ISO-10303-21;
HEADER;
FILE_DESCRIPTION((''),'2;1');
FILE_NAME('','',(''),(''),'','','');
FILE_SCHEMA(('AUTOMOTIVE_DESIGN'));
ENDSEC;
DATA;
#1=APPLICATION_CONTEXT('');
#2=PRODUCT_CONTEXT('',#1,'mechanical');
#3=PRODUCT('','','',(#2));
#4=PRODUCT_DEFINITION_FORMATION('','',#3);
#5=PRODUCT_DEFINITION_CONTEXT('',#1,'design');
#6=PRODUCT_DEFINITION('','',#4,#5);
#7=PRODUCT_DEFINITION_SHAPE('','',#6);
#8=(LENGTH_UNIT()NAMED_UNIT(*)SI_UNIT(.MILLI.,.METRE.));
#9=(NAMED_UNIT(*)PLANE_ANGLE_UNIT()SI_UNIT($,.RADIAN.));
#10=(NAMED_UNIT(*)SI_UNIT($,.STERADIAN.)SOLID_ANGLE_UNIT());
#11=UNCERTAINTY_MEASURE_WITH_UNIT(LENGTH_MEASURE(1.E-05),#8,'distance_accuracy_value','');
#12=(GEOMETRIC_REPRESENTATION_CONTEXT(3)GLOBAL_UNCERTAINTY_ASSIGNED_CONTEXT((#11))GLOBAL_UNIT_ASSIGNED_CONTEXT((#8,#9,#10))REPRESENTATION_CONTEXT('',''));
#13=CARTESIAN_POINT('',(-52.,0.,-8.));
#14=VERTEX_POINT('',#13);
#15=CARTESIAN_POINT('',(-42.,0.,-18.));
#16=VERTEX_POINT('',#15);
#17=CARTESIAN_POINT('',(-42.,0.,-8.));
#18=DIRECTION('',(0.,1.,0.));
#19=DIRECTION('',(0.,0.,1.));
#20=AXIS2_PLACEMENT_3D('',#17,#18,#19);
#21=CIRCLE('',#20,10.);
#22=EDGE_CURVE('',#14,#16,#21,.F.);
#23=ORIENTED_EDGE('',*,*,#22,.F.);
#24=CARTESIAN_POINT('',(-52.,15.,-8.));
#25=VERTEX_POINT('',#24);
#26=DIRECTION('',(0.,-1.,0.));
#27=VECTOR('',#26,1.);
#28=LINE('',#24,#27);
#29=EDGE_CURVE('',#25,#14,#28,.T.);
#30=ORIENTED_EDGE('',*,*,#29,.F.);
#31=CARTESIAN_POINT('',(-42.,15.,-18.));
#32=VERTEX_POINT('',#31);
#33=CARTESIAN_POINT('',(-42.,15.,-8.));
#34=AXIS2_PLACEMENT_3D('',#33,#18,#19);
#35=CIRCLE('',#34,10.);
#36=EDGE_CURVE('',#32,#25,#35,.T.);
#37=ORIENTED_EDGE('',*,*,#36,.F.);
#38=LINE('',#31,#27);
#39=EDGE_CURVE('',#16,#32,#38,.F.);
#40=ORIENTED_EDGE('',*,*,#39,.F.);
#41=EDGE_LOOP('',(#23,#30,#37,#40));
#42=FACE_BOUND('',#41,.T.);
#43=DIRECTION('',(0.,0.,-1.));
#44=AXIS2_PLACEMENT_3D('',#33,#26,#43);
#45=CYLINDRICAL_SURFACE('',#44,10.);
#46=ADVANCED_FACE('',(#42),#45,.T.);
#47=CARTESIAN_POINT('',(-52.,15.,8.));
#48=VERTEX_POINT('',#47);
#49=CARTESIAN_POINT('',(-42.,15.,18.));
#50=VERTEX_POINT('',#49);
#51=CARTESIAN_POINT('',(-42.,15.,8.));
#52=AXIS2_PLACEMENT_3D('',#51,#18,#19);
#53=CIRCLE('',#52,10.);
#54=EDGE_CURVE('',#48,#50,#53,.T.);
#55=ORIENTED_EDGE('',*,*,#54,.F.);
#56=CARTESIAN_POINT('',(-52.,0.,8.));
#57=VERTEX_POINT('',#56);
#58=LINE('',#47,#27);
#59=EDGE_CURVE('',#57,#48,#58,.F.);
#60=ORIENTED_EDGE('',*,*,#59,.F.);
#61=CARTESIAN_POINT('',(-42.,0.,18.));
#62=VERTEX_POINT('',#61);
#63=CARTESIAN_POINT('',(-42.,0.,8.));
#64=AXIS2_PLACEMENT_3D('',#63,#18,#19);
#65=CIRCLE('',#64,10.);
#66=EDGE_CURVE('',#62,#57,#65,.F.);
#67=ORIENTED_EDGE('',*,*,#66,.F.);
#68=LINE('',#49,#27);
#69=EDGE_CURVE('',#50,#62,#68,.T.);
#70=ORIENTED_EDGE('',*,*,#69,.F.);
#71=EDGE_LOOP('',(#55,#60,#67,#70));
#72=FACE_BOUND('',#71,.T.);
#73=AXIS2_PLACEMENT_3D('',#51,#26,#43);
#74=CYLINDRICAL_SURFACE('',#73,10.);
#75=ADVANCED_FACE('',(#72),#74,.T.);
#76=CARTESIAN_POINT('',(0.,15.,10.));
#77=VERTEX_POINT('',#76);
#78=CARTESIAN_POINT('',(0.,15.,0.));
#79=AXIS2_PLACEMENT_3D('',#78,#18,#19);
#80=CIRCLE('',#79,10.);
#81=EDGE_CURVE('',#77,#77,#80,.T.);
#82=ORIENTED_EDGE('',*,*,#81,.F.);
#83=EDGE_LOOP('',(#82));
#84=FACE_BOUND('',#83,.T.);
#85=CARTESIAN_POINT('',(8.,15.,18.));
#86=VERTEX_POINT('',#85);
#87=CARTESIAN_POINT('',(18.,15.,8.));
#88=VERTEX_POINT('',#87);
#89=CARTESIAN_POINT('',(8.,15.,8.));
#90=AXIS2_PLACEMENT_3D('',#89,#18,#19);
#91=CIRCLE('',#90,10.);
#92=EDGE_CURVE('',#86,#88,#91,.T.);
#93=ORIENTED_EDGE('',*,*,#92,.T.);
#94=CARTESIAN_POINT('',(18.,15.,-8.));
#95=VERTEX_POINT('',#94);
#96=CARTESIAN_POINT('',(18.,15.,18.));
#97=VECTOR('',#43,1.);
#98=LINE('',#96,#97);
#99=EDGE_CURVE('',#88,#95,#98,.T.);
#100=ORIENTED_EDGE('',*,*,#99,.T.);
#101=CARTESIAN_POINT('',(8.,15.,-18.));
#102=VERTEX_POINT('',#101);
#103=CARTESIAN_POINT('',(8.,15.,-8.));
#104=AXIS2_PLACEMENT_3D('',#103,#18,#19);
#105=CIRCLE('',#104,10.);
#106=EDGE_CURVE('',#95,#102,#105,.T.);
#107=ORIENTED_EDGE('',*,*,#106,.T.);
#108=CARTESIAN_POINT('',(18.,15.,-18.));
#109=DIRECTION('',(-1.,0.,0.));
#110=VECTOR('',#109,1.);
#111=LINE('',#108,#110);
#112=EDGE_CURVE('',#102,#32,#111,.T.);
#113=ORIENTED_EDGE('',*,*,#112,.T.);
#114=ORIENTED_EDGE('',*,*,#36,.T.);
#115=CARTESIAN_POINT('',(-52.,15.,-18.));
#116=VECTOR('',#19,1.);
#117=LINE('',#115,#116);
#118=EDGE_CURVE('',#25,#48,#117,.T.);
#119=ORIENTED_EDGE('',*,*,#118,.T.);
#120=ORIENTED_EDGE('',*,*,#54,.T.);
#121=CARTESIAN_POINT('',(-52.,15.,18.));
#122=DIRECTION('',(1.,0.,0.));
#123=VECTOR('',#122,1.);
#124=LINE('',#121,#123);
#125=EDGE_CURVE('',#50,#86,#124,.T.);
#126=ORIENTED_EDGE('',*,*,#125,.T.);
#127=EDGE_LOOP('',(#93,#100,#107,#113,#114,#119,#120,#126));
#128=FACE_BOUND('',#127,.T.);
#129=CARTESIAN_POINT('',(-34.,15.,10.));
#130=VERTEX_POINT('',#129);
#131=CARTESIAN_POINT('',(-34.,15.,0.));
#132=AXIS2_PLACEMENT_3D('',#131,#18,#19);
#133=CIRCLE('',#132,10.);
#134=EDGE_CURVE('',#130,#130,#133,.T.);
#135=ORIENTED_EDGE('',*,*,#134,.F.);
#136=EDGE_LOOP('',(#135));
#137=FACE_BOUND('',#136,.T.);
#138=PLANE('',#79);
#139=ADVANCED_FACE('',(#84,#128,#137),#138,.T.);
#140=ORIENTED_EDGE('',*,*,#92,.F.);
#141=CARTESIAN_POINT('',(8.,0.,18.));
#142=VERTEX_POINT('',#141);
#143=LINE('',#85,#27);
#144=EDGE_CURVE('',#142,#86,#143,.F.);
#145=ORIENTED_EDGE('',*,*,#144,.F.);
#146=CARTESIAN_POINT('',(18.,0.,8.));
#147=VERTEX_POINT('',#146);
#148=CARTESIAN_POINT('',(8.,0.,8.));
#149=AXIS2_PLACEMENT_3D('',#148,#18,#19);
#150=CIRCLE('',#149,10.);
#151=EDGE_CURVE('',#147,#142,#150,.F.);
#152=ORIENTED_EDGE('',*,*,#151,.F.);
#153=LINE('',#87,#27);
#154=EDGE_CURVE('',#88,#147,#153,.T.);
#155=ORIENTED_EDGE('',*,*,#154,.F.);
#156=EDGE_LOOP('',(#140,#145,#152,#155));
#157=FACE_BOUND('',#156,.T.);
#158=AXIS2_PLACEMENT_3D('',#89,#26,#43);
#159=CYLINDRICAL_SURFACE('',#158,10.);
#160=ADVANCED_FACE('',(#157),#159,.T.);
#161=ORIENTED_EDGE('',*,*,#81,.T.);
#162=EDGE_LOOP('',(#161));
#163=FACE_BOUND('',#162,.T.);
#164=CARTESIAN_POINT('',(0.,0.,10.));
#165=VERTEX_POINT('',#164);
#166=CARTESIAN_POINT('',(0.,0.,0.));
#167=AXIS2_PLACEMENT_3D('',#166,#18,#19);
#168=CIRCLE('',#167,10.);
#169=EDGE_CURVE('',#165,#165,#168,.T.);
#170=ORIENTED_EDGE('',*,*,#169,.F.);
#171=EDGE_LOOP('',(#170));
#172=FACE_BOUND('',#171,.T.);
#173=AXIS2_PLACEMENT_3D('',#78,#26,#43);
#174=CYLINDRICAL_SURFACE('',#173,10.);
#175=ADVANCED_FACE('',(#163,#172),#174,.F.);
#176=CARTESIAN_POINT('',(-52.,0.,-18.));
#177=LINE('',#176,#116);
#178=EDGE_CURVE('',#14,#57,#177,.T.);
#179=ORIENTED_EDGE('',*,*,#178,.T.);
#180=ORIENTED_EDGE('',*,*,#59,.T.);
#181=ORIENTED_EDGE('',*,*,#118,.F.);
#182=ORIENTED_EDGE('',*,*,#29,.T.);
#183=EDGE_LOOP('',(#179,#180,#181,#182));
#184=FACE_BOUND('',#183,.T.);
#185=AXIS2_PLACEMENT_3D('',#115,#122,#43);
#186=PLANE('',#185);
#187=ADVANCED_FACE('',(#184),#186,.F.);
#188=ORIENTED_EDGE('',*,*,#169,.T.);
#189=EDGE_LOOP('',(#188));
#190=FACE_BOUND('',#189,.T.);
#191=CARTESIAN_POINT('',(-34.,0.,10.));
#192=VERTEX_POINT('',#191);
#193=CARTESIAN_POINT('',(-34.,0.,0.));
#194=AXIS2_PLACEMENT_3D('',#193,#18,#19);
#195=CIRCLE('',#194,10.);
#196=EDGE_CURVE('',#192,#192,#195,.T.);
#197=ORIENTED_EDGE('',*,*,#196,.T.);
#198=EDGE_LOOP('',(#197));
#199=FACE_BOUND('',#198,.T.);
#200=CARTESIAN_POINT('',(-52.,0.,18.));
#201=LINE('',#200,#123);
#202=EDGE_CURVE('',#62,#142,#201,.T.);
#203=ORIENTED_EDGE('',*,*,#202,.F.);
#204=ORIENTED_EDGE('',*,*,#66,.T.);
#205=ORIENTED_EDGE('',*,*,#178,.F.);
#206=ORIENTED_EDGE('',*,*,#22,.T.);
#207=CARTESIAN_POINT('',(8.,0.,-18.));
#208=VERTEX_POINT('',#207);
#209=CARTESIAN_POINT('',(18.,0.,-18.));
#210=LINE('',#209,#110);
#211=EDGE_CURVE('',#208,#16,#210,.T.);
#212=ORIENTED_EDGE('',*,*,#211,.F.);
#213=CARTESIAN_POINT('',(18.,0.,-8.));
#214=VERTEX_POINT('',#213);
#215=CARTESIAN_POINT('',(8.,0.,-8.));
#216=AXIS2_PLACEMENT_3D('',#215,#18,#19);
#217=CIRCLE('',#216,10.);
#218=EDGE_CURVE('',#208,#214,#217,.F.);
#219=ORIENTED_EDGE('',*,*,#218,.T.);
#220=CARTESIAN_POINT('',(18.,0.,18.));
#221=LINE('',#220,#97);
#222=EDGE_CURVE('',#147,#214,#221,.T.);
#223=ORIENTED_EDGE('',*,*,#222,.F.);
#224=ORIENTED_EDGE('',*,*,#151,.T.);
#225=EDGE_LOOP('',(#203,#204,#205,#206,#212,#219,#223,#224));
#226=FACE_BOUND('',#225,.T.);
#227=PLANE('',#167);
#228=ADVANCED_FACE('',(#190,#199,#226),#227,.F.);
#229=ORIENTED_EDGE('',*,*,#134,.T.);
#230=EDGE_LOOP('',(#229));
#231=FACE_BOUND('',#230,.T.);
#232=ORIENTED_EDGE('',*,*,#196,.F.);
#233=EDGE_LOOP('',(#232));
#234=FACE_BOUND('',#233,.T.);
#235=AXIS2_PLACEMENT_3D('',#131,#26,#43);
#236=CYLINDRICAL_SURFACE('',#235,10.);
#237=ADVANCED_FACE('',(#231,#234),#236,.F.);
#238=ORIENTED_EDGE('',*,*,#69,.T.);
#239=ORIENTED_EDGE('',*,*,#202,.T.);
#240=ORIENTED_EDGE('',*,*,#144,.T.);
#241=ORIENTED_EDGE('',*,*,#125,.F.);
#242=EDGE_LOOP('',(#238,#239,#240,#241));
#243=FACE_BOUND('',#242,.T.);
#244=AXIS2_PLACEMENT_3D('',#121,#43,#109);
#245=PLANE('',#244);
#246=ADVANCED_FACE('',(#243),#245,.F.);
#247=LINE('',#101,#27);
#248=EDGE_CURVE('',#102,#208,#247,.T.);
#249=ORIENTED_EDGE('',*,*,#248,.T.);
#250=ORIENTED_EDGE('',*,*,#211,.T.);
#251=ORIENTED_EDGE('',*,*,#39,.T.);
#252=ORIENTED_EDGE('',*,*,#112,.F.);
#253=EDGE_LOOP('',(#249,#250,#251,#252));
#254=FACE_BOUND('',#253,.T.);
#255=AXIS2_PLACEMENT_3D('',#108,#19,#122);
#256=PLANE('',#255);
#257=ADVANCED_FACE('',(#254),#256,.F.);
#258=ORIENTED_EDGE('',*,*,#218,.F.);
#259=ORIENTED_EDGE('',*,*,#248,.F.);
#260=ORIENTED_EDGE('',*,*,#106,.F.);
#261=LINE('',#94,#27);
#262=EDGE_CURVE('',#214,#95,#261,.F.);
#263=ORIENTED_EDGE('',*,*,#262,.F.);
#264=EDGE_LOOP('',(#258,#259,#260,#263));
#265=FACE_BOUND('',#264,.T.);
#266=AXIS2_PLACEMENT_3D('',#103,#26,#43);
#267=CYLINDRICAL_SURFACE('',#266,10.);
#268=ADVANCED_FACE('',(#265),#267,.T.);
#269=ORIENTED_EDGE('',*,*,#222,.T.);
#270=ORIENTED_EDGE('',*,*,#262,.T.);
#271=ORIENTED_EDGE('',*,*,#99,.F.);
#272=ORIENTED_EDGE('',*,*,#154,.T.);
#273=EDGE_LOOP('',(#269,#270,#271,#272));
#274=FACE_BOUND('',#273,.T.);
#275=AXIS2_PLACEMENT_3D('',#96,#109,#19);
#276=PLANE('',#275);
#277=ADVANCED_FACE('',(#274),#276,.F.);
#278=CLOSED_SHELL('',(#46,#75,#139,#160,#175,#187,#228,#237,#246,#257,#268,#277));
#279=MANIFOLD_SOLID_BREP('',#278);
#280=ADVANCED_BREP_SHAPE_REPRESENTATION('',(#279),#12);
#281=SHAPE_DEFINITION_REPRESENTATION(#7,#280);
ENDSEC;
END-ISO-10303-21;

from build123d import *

# Parameters (mm, degrees)
SKETCH1_W           = 70
SKETCH1_H           = 36
SKETCH1_R           = 10
BOSS_EXTRUDE1_DEPTH = 15
FILLET1_R           = 10


with BuildPart() as part:
    # Sketch1 → Boss-Extrude1 (new body)
    with BuildSketch(Plane(origin=(0, 0, 0), x_dir=(1, 0, 0), z_dir=(0, 1, 0))):
        with Locations((-17, 0)):
            Rectangle(SKETCH1_W, SKETCH1_H)
        with Locations(Location((0, 0, 0), (0, 0, 270))):
            Circle(SKETCH1_R, mode=Mode.SUBTRACT)
        with Locations(Location((-34, 0, 0), (0, 0, 270))):
            Circle(SKETCH1_R, mode=Mode.SUBTRACT)
    extrude(amount=BOSS_EXTRUDE1_DEPTH)

    # Fillet1
    fillet1_edges = [part.edges().sort_by_distance(p)[0] for p in [
        (-52, 7.5, 18),
        (-52, 7.5, -18),
        (18, 7.5, -18),
        (18, 7.5, 18),
    ]]
    fillet(fillet1_edges, radius=FILLET1_R)


solid = part.part
